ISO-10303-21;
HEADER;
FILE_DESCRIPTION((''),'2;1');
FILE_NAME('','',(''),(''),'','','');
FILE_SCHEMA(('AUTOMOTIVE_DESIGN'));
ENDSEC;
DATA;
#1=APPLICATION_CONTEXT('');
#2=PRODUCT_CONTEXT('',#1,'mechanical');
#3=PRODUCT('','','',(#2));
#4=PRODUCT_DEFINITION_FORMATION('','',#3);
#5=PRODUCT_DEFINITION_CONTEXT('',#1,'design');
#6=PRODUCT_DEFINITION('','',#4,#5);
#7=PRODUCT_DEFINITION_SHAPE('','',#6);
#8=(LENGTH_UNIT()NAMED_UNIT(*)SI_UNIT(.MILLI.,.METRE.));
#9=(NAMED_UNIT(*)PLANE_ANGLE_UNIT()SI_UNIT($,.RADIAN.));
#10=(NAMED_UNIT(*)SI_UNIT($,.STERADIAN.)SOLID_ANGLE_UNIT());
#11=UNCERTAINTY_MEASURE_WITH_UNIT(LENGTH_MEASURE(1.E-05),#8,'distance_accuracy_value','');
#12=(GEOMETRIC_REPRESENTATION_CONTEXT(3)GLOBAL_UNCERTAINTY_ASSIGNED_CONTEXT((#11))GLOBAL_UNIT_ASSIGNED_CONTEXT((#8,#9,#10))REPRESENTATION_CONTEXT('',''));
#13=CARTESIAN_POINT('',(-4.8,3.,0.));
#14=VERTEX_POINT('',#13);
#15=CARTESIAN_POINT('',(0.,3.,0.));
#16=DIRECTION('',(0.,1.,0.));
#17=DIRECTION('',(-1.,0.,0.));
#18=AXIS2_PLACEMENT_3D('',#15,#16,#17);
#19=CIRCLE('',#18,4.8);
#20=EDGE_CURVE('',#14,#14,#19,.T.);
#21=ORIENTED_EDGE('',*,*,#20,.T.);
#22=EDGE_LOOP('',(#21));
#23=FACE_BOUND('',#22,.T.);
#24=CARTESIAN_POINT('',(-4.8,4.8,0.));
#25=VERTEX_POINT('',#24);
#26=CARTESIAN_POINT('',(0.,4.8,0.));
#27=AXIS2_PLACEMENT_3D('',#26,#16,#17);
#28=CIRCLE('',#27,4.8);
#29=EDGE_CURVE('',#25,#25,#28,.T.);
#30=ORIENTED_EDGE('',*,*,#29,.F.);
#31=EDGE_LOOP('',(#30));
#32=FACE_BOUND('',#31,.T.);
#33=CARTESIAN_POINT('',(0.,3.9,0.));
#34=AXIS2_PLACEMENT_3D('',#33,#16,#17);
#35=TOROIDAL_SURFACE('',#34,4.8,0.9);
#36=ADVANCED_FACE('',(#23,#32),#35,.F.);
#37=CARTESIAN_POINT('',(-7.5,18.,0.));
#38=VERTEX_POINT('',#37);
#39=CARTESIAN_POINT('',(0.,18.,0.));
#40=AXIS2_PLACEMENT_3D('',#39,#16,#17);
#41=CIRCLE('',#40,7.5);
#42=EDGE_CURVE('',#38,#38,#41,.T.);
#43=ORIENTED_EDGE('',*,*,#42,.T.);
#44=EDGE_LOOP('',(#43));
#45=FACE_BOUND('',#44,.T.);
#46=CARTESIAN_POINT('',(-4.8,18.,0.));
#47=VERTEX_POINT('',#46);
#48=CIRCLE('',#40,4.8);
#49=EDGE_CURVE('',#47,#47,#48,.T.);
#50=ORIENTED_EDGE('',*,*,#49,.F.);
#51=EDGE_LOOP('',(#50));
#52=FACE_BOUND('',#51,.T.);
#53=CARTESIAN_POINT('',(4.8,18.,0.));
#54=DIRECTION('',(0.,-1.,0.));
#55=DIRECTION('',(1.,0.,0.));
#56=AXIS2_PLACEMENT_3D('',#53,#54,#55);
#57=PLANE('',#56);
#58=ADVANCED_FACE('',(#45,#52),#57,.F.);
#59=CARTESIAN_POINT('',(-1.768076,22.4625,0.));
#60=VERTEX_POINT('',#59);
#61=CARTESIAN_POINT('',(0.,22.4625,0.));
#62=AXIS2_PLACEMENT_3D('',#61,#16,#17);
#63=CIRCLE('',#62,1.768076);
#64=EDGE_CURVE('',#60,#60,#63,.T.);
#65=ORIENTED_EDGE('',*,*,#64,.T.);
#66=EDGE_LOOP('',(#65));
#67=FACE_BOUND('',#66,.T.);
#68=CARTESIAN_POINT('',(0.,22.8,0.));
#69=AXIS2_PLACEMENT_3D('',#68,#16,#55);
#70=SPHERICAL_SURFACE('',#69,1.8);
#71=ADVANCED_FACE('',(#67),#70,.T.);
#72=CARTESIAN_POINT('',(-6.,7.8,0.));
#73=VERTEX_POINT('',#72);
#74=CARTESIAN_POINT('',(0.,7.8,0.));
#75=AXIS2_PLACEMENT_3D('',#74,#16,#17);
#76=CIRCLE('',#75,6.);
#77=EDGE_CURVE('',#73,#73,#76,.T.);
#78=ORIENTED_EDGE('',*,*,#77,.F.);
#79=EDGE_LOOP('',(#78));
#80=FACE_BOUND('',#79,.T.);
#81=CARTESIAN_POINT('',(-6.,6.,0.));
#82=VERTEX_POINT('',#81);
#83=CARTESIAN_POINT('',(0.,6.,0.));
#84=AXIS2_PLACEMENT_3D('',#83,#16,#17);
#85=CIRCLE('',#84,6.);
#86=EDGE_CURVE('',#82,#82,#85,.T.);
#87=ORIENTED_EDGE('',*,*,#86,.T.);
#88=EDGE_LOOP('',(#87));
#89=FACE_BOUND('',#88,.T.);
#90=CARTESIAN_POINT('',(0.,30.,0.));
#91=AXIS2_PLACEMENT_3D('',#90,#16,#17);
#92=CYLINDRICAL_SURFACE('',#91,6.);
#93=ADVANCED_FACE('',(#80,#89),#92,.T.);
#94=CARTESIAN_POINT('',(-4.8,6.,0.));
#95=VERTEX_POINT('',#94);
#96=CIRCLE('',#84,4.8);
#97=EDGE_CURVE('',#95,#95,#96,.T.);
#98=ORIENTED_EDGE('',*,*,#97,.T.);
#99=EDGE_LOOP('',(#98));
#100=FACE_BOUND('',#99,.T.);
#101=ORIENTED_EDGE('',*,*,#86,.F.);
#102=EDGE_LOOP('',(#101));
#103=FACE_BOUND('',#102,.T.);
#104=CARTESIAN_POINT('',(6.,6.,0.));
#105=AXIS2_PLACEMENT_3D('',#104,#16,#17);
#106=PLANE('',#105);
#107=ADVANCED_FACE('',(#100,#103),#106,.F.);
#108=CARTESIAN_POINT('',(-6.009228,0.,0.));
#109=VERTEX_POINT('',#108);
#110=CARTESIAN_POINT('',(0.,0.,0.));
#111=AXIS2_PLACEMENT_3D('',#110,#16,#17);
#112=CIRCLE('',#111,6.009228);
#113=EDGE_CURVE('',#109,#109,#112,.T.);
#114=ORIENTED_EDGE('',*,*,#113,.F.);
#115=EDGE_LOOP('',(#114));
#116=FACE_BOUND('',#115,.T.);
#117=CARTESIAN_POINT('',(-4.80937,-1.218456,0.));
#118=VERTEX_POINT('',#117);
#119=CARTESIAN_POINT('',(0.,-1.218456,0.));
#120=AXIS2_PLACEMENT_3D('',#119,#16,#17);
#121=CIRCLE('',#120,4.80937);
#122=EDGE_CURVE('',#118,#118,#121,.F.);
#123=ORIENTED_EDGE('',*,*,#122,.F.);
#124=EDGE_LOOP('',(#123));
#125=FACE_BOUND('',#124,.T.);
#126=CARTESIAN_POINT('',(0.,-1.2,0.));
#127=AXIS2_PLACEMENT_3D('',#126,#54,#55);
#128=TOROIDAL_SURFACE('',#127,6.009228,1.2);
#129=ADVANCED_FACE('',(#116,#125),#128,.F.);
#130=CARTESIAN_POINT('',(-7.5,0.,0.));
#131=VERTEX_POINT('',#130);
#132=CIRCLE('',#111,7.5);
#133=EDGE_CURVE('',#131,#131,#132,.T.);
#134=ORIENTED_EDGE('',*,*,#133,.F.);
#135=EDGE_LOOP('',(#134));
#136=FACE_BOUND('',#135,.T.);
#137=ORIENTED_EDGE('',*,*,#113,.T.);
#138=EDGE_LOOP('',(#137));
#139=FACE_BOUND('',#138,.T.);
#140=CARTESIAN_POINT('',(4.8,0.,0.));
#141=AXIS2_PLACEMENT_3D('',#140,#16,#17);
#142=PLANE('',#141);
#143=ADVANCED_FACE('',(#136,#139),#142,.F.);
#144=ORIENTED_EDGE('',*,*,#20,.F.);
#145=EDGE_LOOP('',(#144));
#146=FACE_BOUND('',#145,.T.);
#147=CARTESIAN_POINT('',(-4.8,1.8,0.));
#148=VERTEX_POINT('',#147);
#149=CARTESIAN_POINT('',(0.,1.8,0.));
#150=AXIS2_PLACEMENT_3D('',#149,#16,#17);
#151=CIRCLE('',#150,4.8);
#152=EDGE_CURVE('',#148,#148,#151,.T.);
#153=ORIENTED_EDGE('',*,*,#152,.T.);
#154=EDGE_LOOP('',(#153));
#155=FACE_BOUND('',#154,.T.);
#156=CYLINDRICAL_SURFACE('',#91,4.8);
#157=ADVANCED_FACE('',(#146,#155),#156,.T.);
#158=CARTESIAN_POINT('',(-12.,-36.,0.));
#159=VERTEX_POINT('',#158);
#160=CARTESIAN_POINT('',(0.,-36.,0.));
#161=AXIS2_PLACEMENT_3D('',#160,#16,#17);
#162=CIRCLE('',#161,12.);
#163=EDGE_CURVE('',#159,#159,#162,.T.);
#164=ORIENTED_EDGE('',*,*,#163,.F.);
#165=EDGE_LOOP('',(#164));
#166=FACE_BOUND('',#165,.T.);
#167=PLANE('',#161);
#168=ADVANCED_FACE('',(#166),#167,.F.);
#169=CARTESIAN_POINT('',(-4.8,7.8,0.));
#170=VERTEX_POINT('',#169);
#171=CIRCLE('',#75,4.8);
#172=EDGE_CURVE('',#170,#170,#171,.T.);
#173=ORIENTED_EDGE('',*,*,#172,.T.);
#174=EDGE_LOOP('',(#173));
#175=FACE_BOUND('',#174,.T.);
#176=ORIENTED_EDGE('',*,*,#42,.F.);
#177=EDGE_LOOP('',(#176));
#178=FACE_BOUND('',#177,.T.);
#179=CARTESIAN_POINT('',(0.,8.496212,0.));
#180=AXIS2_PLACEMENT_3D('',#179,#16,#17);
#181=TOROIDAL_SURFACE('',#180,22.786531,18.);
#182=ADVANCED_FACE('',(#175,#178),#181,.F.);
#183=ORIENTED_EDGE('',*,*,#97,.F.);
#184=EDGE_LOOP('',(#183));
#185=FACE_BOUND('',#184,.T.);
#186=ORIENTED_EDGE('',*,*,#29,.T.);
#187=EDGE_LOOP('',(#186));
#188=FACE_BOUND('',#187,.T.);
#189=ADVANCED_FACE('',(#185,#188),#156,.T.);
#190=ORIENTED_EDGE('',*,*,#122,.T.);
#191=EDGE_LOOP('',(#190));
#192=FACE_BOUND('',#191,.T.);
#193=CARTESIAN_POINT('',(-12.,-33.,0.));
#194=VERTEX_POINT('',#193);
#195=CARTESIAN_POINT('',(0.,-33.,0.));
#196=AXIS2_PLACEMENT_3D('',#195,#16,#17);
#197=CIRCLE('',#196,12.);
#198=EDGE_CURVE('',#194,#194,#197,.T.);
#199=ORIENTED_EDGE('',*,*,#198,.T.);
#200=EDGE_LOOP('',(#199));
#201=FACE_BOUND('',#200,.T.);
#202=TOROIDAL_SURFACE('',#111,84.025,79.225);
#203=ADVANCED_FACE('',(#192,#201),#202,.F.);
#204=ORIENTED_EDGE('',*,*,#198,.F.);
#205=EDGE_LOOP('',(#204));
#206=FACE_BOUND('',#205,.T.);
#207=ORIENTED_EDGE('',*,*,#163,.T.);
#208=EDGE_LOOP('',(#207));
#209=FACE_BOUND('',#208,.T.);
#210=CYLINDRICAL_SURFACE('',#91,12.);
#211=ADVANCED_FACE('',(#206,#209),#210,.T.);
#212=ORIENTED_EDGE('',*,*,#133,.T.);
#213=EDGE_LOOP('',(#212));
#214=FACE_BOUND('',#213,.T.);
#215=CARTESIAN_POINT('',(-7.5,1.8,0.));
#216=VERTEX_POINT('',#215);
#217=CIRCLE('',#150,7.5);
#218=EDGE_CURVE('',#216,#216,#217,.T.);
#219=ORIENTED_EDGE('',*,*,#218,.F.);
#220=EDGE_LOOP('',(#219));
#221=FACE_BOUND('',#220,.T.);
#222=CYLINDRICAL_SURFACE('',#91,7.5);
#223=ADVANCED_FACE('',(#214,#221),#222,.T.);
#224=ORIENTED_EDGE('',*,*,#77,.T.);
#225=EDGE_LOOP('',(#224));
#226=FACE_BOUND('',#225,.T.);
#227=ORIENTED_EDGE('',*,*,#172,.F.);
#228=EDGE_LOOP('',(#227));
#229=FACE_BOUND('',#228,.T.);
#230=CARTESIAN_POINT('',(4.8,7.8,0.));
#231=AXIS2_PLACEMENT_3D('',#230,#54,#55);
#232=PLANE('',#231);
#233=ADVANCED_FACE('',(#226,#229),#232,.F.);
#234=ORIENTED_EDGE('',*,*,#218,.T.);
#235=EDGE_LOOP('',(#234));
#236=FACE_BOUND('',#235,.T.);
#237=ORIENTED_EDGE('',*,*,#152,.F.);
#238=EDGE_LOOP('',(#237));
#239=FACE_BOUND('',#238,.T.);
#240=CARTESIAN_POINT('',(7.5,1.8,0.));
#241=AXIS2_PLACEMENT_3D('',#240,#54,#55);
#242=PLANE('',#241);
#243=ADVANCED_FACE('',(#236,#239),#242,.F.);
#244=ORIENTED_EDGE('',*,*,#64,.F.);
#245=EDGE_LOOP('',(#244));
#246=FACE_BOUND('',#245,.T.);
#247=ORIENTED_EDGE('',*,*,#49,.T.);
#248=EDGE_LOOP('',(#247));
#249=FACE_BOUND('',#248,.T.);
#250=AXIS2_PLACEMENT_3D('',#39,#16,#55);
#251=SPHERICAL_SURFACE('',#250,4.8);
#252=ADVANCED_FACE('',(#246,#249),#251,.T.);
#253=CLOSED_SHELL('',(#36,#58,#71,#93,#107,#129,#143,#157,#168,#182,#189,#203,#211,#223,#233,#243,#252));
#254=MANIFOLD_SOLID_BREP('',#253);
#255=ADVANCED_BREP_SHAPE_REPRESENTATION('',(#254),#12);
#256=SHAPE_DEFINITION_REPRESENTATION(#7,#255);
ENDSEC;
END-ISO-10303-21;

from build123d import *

# Parameters (mm, degrees)
FILLET1_R     = 2
SCALE_1_SCALE = 0.6


with BuildPart() as part:
    # Sketch1 → Revolve1 (revolve)
    with BuildSketch(Plane.XY, mode=Mode.PRIVATE) as revolve1_sk:
        with BuildLine():
            Line((0, -60), (20, -60))
            Line((20, -60), (20, -55))
            ThreePointArc((20, -55), (11.03487717, -28.14693589), (8, 0))
            Line((8, 0), (12.5, 0))
            Line((12.5, 0), (12.5, 3))
            Line((12.5, 3), (8, 3))
            Line((8, 3), (8, 5))
            ThreePointArc((8, 5), (6.5, 6.5), (8, 8))
            Line((8, 8), (8, 10))
            Line((8, 10), (10, 10))
            Line((10, 10), (10, 13))
            Line((10, 13), (8, 13))
            ThreePointArc((8, 13), (8.976394405, 21.837130893), (12.5, 30))
            Line((12.5, 30), (8, 30))
            ThreePointArc((8, 30), (6.617187865, 34.495867521), (2.946793809, 37.4375))
            ThreePointArc((2.946793809, 37.4375), (2.311655251, 39.912132318), (0, 41))
            Line((0, 41), (0, -60))
        make_face()
    revolve(revolve1_sk.sketch.rotate(Axis((0, 50, 0), (0, -1, 0)), 180), axis=Axis((0, 50, 0), (0, -1, 0)))

    # Fillet1
    fillet1_edges = [part.edges().sort_by_distance(p)[0] for p in [
        (8, 0, 0),
    ]]
    fillet(fillet1_edges, radius=FILLET1_R)


with BuildPart() as part_1:
    # 缩放比例1: scaled about (0, 0, 0)
    add(part.part.scale(SCALE_1_SCALE))


solid = part_1.part
